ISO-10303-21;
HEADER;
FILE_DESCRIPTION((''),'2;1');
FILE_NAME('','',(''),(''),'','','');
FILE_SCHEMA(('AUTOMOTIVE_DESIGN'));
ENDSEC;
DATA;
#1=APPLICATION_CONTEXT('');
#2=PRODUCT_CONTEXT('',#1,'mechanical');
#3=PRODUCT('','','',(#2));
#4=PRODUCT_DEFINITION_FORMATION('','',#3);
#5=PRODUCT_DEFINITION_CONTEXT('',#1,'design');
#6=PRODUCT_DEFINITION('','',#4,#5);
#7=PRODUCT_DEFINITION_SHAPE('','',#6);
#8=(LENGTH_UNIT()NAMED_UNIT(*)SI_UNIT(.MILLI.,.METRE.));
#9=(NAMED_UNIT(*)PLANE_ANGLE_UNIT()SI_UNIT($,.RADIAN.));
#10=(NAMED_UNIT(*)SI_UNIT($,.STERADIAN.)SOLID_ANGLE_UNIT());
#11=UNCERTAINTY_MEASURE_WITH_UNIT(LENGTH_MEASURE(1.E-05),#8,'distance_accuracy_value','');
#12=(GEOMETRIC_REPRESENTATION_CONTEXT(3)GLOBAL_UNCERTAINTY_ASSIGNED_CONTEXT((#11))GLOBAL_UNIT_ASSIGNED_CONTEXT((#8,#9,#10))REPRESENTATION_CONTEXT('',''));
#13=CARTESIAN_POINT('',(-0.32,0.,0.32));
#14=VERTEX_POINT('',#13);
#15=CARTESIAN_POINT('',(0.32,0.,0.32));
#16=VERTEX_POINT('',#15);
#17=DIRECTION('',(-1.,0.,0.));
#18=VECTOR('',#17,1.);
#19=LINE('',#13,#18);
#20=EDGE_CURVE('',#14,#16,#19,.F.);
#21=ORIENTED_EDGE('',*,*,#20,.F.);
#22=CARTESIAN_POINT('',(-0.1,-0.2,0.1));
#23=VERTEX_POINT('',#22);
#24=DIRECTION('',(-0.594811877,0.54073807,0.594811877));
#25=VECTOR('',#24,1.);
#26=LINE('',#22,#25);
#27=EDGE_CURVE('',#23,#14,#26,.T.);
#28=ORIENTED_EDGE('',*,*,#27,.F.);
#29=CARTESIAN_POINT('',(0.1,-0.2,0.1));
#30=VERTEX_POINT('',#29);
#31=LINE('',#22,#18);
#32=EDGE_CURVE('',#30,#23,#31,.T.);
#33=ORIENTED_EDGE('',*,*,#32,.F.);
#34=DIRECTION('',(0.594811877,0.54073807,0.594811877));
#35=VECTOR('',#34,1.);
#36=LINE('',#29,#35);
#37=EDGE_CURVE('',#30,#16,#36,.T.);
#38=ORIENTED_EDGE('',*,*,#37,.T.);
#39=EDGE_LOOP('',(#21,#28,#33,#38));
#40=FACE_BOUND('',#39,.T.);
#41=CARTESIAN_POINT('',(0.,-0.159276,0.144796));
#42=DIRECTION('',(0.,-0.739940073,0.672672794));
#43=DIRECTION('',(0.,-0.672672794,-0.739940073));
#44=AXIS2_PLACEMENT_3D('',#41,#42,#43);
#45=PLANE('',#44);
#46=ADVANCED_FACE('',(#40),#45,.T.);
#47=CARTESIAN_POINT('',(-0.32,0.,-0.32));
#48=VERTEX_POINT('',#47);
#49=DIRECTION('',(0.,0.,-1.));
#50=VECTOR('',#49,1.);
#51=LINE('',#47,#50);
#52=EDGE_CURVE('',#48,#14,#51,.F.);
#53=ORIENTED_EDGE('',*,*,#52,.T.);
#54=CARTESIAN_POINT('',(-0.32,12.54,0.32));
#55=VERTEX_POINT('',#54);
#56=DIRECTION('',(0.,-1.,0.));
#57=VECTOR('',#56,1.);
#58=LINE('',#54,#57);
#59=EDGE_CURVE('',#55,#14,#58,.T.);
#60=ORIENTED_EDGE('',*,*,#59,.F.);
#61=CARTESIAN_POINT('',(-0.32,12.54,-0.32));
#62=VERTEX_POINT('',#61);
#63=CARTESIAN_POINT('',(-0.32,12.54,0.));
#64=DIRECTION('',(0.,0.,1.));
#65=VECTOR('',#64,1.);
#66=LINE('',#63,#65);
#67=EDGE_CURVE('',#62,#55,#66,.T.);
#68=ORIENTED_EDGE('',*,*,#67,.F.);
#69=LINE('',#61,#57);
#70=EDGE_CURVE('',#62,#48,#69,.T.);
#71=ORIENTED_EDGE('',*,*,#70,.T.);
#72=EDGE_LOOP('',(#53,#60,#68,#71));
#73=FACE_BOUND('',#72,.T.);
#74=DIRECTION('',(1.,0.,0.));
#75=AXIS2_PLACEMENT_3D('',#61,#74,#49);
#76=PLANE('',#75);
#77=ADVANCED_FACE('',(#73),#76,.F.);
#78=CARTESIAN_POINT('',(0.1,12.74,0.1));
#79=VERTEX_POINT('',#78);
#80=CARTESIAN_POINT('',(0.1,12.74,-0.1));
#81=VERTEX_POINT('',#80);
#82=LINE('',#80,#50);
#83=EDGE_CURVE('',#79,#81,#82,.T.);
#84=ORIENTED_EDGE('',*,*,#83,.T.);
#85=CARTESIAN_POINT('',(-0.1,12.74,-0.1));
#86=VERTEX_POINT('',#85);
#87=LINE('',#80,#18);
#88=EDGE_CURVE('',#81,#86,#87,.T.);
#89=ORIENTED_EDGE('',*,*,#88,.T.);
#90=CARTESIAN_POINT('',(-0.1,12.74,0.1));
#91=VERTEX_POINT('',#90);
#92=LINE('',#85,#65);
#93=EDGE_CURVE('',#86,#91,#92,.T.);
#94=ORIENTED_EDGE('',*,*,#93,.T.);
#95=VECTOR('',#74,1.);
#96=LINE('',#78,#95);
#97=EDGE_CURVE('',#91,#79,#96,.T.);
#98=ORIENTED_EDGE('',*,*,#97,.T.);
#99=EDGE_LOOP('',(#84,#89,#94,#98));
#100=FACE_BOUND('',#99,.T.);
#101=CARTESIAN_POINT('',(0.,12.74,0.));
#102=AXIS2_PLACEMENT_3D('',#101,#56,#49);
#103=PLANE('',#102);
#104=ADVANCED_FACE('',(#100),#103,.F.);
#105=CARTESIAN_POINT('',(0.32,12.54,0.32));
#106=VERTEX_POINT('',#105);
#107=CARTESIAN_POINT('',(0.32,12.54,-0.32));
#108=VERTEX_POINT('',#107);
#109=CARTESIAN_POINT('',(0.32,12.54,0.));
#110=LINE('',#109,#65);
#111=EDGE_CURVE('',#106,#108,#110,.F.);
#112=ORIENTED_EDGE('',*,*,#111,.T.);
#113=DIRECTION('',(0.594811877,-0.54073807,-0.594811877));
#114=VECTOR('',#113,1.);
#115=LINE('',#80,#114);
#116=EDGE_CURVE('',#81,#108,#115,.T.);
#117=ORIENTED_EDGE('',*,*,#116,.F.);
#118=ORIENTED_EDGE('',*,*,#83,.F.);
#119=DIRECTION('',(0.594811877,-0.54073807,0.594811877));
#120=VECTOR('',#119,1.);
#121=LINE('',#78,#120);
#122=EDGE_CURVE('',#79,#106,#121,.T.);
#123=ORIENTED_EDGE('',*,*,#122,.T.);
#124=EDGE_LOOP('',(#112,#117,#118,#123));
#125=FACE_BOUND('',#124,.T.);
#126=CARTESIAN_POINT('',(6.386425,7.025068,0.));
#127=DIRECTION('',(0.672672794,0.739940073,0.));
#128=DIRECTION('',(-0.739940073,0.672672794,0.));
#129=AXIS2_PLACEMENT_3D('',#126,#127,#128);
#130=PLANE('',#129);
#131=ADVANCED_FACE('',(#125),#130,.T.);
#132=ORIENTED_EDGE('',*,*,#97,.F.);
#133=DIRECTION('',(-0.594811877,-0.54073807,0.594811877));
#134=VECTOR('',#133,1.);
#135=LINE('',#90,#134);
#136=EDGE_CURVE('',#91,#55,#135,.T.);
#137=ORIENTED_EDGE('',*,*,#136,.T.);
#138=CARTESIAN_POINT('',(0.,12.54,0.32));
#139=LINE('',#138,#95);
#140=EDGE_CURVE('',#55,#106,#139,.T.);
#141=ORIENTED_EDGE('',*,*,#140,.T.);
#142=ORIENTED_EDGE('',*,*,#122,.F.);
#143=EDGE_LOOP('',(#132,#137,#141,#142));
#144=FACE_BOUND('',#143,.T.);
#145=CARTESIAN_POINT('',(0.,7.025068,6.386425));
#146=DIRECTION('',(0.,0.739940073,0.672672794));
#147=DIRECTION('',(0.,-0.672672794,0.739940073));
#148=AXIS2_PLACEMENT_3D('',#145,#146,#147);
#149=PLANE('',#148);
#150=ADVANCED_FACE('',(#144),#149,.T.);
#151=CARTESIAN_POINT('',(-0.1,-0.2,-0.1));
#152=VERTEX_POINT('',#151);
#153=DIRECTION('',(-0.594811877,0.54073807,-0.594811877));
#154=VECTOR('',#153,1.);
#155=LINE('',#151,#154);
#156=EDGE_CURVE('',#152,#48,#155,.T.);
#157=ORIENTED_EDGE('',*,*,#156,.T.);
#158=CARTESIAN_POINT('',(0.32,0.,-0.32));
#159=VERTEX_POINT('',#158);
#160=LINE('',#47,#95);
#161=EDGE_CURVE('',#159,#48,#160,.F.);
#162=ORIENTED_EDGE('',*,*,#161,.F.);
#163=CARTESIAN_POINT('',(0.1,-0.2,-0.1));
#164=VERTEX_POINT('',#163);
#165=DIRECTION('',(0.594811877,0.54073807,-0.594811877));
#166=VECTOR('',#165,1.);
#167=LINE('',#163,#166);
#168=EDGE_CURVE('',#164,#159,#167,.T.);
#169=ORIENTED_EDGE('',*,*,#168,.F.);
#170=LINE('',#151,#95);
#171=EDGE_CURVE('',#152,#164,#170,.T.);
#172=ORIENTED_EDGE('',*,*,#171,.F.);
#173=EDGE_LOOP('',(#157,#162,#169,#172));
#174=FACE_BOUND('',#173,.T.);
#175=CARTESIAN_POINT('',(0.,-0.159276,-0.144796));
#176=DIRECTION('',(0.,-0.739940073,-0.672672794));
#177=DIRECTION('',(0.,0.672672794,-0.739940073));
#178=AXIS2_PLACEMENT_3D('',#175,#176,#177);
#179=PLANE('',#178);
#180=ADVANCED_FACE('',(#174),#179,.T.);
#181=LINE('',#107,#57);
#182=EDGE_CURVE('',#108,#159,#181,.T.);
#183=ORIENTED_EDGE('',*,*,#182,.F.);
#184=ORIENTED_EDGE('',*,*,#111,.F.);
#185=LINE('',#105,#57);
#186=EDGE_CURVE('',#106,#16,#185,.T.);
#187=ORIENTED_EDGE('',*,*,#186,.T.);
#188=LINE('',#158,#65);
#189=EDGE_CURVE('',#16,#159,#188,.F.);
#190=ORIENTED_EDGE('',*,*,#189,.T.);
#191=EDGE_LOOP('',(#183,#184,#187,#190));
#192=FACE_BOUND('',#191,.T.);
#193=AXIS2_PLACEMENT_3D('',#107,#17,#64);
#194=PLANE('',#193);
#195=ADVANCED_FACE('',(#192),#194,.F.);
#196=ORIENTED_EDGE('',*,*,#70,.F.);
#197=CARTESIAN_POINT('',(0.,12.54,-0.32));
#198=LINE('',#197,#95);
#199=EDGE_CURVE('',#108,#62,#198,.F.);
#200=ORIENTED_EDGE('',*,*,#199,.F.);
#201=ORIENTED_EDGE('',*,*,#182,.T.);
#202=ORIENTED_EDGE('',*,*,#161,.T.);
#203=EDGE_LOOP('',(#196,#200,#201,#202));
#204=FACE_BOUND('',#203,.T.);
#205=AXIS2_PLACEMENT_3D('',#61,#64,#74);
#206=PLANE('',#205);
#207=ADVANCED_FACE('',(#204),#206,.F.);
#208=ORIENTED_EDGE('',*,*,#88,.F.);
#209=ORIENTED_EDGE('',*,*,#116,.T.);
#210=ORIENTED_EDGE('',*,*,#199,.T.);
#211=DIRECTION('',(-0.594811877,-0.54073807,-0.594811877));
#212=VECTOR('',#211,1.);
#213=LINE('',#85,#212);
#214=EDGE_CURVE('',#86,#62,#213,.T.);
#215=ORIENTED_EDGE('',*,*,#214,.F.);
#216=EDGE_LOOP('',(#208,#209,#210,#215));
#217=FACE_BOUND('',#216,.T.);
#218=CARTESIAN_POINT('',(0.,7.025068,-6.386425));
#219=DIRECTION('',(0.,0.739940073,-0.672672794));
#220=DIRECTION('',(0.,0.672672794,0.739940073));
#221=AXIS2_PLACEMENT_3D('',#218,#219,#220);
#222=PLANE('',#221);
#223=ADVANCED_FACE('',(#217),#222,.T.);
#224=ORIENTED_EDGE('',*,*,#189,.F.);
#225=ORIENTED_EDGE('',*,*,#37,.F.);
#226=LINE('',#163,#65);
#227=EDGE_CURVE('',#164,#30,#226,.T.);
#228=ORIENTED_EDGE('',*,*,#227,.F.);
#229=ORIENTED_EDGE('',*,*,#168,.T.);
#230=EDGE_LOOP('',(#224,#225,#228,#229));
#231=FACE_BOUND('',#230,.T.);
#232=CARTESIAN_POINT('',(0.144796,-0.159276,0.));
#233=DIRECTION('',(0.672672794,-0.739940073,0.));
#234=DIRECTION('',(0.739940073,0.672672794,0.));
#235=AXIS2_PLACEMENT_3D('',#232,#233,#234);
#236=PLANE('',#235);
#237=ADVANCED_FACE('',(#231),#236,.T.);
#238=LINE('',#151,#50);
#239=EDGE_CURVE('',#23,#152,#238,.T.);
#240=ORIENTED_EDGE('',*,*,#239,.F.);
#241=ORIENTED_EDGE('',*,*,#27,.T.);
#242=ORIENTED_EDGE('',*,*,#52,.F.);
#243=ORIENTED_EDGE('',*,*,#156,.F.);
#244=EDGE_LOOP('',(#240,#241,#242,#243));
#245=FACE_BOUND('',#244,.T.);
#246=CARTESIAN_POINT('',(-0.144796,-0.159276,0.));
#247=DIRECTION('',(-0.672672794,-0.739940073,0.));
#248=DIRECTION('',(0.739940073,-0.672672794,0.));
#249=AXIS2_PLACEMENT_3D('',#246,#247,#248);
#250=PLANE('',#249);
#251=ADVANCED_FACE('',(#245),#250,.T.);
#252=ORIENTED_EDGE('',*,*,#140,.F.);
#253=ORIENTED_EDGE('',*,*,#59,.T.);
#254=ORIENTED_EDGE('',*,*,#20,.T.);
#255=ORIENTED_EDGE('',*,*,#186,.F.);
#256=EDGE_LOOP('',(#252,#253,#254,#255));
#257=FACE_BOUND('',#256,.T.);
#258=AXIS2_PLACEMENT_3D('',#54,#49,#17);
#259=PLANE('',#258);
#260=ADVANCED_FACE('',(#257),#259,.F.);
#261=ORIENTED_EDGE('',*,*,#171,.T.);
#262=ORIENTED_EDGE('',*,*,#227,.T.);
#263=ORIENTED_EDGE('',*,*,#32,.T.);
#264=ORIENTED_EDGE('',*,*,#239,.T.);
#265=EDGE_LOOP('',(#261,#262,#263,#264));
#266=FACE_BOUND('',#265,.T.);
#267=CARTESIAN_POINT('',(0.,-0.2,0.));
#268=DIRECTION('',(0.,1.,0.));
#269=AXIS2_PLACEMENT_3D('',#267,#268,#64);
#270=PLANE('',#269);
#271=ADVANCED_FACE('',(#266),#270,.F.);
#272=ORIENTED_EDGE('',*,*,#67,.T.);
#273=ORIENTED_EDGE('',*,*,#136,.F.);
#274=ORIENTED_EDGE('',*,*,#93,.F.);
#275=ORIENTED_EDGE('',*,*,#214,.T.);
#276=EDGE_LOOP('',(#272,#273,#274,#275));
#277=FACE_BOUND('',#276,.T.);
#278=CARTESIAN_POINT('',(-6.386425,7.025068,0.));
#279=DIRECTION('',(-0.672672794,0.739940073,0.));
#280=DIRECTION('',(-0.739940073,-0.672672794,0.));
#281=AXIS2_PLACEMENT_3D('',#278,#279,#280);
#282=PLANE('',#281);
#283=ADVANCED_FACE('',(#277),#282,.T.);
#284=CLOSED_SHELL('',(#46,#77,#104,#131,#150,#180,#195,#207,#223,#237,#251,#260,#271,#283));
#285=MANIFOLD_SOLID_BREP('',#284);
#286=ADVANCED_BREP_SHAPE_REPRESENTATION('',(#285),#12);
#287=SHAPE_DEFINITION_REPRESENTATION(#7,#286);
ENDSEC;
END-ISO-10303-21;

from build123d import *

# Parameters (mm, degrees)
SKETCH1_W           = 0.64
SKETCH1_H           = 0.64
BOSS_EXTRUDE1_DEPTH = 12.54
SKETCH3_W           = 0.2
SKETCH3_H           = 0.2
SKETCH4_W           = 0.2
SKETCH4_H           = 0.2


with BuildPart() as part:
    # Sketch1 → Boss-Extrude1 (new body)
    with BuildSketch(Plane(origin=(0, 0, 0), x_dir=(1, 0, 0), z_dir=(0, 1, 0))):
        Rectangle(SKETCH1_W, SKETCH1_H)
    extrude(amount=BOSS_EXTRUDE1_DEPTH)

    # Sketch3 → section 0 of loft1
    with BuildSketch(Plane(origin=(0, 12.74, 0), x_dir=(1, 0, 0), z_dir=(0, 1, 0)), mode=Mode.PRIVATE) as loft1_s0:
        Rectangle(SKETCH3_W, SKETCH3_H)
    # loft up to a face of the part (loft1)
    loft([loft1_s0.sketch, part.faces().sort_by_distance((0, 12.54, 0))[0]])

    # Sketch4 → section 0 of loft2
    with BuildSketch(Plane(origin=(0, -0.2, 0), x_dir=(-1, 0, 0), z_dir=(0, -1, 0)), mode=Mode.PRIVATE) as loft2_s0:
        Rectangle(SKETCH4_W, SKETCH4_H)
    # loft up to a face of the part (loft2)
    loft([loft2_s0.sketch, part.faces().sort_by_distance((0, 0, 0))[0]])


solid = part.part
